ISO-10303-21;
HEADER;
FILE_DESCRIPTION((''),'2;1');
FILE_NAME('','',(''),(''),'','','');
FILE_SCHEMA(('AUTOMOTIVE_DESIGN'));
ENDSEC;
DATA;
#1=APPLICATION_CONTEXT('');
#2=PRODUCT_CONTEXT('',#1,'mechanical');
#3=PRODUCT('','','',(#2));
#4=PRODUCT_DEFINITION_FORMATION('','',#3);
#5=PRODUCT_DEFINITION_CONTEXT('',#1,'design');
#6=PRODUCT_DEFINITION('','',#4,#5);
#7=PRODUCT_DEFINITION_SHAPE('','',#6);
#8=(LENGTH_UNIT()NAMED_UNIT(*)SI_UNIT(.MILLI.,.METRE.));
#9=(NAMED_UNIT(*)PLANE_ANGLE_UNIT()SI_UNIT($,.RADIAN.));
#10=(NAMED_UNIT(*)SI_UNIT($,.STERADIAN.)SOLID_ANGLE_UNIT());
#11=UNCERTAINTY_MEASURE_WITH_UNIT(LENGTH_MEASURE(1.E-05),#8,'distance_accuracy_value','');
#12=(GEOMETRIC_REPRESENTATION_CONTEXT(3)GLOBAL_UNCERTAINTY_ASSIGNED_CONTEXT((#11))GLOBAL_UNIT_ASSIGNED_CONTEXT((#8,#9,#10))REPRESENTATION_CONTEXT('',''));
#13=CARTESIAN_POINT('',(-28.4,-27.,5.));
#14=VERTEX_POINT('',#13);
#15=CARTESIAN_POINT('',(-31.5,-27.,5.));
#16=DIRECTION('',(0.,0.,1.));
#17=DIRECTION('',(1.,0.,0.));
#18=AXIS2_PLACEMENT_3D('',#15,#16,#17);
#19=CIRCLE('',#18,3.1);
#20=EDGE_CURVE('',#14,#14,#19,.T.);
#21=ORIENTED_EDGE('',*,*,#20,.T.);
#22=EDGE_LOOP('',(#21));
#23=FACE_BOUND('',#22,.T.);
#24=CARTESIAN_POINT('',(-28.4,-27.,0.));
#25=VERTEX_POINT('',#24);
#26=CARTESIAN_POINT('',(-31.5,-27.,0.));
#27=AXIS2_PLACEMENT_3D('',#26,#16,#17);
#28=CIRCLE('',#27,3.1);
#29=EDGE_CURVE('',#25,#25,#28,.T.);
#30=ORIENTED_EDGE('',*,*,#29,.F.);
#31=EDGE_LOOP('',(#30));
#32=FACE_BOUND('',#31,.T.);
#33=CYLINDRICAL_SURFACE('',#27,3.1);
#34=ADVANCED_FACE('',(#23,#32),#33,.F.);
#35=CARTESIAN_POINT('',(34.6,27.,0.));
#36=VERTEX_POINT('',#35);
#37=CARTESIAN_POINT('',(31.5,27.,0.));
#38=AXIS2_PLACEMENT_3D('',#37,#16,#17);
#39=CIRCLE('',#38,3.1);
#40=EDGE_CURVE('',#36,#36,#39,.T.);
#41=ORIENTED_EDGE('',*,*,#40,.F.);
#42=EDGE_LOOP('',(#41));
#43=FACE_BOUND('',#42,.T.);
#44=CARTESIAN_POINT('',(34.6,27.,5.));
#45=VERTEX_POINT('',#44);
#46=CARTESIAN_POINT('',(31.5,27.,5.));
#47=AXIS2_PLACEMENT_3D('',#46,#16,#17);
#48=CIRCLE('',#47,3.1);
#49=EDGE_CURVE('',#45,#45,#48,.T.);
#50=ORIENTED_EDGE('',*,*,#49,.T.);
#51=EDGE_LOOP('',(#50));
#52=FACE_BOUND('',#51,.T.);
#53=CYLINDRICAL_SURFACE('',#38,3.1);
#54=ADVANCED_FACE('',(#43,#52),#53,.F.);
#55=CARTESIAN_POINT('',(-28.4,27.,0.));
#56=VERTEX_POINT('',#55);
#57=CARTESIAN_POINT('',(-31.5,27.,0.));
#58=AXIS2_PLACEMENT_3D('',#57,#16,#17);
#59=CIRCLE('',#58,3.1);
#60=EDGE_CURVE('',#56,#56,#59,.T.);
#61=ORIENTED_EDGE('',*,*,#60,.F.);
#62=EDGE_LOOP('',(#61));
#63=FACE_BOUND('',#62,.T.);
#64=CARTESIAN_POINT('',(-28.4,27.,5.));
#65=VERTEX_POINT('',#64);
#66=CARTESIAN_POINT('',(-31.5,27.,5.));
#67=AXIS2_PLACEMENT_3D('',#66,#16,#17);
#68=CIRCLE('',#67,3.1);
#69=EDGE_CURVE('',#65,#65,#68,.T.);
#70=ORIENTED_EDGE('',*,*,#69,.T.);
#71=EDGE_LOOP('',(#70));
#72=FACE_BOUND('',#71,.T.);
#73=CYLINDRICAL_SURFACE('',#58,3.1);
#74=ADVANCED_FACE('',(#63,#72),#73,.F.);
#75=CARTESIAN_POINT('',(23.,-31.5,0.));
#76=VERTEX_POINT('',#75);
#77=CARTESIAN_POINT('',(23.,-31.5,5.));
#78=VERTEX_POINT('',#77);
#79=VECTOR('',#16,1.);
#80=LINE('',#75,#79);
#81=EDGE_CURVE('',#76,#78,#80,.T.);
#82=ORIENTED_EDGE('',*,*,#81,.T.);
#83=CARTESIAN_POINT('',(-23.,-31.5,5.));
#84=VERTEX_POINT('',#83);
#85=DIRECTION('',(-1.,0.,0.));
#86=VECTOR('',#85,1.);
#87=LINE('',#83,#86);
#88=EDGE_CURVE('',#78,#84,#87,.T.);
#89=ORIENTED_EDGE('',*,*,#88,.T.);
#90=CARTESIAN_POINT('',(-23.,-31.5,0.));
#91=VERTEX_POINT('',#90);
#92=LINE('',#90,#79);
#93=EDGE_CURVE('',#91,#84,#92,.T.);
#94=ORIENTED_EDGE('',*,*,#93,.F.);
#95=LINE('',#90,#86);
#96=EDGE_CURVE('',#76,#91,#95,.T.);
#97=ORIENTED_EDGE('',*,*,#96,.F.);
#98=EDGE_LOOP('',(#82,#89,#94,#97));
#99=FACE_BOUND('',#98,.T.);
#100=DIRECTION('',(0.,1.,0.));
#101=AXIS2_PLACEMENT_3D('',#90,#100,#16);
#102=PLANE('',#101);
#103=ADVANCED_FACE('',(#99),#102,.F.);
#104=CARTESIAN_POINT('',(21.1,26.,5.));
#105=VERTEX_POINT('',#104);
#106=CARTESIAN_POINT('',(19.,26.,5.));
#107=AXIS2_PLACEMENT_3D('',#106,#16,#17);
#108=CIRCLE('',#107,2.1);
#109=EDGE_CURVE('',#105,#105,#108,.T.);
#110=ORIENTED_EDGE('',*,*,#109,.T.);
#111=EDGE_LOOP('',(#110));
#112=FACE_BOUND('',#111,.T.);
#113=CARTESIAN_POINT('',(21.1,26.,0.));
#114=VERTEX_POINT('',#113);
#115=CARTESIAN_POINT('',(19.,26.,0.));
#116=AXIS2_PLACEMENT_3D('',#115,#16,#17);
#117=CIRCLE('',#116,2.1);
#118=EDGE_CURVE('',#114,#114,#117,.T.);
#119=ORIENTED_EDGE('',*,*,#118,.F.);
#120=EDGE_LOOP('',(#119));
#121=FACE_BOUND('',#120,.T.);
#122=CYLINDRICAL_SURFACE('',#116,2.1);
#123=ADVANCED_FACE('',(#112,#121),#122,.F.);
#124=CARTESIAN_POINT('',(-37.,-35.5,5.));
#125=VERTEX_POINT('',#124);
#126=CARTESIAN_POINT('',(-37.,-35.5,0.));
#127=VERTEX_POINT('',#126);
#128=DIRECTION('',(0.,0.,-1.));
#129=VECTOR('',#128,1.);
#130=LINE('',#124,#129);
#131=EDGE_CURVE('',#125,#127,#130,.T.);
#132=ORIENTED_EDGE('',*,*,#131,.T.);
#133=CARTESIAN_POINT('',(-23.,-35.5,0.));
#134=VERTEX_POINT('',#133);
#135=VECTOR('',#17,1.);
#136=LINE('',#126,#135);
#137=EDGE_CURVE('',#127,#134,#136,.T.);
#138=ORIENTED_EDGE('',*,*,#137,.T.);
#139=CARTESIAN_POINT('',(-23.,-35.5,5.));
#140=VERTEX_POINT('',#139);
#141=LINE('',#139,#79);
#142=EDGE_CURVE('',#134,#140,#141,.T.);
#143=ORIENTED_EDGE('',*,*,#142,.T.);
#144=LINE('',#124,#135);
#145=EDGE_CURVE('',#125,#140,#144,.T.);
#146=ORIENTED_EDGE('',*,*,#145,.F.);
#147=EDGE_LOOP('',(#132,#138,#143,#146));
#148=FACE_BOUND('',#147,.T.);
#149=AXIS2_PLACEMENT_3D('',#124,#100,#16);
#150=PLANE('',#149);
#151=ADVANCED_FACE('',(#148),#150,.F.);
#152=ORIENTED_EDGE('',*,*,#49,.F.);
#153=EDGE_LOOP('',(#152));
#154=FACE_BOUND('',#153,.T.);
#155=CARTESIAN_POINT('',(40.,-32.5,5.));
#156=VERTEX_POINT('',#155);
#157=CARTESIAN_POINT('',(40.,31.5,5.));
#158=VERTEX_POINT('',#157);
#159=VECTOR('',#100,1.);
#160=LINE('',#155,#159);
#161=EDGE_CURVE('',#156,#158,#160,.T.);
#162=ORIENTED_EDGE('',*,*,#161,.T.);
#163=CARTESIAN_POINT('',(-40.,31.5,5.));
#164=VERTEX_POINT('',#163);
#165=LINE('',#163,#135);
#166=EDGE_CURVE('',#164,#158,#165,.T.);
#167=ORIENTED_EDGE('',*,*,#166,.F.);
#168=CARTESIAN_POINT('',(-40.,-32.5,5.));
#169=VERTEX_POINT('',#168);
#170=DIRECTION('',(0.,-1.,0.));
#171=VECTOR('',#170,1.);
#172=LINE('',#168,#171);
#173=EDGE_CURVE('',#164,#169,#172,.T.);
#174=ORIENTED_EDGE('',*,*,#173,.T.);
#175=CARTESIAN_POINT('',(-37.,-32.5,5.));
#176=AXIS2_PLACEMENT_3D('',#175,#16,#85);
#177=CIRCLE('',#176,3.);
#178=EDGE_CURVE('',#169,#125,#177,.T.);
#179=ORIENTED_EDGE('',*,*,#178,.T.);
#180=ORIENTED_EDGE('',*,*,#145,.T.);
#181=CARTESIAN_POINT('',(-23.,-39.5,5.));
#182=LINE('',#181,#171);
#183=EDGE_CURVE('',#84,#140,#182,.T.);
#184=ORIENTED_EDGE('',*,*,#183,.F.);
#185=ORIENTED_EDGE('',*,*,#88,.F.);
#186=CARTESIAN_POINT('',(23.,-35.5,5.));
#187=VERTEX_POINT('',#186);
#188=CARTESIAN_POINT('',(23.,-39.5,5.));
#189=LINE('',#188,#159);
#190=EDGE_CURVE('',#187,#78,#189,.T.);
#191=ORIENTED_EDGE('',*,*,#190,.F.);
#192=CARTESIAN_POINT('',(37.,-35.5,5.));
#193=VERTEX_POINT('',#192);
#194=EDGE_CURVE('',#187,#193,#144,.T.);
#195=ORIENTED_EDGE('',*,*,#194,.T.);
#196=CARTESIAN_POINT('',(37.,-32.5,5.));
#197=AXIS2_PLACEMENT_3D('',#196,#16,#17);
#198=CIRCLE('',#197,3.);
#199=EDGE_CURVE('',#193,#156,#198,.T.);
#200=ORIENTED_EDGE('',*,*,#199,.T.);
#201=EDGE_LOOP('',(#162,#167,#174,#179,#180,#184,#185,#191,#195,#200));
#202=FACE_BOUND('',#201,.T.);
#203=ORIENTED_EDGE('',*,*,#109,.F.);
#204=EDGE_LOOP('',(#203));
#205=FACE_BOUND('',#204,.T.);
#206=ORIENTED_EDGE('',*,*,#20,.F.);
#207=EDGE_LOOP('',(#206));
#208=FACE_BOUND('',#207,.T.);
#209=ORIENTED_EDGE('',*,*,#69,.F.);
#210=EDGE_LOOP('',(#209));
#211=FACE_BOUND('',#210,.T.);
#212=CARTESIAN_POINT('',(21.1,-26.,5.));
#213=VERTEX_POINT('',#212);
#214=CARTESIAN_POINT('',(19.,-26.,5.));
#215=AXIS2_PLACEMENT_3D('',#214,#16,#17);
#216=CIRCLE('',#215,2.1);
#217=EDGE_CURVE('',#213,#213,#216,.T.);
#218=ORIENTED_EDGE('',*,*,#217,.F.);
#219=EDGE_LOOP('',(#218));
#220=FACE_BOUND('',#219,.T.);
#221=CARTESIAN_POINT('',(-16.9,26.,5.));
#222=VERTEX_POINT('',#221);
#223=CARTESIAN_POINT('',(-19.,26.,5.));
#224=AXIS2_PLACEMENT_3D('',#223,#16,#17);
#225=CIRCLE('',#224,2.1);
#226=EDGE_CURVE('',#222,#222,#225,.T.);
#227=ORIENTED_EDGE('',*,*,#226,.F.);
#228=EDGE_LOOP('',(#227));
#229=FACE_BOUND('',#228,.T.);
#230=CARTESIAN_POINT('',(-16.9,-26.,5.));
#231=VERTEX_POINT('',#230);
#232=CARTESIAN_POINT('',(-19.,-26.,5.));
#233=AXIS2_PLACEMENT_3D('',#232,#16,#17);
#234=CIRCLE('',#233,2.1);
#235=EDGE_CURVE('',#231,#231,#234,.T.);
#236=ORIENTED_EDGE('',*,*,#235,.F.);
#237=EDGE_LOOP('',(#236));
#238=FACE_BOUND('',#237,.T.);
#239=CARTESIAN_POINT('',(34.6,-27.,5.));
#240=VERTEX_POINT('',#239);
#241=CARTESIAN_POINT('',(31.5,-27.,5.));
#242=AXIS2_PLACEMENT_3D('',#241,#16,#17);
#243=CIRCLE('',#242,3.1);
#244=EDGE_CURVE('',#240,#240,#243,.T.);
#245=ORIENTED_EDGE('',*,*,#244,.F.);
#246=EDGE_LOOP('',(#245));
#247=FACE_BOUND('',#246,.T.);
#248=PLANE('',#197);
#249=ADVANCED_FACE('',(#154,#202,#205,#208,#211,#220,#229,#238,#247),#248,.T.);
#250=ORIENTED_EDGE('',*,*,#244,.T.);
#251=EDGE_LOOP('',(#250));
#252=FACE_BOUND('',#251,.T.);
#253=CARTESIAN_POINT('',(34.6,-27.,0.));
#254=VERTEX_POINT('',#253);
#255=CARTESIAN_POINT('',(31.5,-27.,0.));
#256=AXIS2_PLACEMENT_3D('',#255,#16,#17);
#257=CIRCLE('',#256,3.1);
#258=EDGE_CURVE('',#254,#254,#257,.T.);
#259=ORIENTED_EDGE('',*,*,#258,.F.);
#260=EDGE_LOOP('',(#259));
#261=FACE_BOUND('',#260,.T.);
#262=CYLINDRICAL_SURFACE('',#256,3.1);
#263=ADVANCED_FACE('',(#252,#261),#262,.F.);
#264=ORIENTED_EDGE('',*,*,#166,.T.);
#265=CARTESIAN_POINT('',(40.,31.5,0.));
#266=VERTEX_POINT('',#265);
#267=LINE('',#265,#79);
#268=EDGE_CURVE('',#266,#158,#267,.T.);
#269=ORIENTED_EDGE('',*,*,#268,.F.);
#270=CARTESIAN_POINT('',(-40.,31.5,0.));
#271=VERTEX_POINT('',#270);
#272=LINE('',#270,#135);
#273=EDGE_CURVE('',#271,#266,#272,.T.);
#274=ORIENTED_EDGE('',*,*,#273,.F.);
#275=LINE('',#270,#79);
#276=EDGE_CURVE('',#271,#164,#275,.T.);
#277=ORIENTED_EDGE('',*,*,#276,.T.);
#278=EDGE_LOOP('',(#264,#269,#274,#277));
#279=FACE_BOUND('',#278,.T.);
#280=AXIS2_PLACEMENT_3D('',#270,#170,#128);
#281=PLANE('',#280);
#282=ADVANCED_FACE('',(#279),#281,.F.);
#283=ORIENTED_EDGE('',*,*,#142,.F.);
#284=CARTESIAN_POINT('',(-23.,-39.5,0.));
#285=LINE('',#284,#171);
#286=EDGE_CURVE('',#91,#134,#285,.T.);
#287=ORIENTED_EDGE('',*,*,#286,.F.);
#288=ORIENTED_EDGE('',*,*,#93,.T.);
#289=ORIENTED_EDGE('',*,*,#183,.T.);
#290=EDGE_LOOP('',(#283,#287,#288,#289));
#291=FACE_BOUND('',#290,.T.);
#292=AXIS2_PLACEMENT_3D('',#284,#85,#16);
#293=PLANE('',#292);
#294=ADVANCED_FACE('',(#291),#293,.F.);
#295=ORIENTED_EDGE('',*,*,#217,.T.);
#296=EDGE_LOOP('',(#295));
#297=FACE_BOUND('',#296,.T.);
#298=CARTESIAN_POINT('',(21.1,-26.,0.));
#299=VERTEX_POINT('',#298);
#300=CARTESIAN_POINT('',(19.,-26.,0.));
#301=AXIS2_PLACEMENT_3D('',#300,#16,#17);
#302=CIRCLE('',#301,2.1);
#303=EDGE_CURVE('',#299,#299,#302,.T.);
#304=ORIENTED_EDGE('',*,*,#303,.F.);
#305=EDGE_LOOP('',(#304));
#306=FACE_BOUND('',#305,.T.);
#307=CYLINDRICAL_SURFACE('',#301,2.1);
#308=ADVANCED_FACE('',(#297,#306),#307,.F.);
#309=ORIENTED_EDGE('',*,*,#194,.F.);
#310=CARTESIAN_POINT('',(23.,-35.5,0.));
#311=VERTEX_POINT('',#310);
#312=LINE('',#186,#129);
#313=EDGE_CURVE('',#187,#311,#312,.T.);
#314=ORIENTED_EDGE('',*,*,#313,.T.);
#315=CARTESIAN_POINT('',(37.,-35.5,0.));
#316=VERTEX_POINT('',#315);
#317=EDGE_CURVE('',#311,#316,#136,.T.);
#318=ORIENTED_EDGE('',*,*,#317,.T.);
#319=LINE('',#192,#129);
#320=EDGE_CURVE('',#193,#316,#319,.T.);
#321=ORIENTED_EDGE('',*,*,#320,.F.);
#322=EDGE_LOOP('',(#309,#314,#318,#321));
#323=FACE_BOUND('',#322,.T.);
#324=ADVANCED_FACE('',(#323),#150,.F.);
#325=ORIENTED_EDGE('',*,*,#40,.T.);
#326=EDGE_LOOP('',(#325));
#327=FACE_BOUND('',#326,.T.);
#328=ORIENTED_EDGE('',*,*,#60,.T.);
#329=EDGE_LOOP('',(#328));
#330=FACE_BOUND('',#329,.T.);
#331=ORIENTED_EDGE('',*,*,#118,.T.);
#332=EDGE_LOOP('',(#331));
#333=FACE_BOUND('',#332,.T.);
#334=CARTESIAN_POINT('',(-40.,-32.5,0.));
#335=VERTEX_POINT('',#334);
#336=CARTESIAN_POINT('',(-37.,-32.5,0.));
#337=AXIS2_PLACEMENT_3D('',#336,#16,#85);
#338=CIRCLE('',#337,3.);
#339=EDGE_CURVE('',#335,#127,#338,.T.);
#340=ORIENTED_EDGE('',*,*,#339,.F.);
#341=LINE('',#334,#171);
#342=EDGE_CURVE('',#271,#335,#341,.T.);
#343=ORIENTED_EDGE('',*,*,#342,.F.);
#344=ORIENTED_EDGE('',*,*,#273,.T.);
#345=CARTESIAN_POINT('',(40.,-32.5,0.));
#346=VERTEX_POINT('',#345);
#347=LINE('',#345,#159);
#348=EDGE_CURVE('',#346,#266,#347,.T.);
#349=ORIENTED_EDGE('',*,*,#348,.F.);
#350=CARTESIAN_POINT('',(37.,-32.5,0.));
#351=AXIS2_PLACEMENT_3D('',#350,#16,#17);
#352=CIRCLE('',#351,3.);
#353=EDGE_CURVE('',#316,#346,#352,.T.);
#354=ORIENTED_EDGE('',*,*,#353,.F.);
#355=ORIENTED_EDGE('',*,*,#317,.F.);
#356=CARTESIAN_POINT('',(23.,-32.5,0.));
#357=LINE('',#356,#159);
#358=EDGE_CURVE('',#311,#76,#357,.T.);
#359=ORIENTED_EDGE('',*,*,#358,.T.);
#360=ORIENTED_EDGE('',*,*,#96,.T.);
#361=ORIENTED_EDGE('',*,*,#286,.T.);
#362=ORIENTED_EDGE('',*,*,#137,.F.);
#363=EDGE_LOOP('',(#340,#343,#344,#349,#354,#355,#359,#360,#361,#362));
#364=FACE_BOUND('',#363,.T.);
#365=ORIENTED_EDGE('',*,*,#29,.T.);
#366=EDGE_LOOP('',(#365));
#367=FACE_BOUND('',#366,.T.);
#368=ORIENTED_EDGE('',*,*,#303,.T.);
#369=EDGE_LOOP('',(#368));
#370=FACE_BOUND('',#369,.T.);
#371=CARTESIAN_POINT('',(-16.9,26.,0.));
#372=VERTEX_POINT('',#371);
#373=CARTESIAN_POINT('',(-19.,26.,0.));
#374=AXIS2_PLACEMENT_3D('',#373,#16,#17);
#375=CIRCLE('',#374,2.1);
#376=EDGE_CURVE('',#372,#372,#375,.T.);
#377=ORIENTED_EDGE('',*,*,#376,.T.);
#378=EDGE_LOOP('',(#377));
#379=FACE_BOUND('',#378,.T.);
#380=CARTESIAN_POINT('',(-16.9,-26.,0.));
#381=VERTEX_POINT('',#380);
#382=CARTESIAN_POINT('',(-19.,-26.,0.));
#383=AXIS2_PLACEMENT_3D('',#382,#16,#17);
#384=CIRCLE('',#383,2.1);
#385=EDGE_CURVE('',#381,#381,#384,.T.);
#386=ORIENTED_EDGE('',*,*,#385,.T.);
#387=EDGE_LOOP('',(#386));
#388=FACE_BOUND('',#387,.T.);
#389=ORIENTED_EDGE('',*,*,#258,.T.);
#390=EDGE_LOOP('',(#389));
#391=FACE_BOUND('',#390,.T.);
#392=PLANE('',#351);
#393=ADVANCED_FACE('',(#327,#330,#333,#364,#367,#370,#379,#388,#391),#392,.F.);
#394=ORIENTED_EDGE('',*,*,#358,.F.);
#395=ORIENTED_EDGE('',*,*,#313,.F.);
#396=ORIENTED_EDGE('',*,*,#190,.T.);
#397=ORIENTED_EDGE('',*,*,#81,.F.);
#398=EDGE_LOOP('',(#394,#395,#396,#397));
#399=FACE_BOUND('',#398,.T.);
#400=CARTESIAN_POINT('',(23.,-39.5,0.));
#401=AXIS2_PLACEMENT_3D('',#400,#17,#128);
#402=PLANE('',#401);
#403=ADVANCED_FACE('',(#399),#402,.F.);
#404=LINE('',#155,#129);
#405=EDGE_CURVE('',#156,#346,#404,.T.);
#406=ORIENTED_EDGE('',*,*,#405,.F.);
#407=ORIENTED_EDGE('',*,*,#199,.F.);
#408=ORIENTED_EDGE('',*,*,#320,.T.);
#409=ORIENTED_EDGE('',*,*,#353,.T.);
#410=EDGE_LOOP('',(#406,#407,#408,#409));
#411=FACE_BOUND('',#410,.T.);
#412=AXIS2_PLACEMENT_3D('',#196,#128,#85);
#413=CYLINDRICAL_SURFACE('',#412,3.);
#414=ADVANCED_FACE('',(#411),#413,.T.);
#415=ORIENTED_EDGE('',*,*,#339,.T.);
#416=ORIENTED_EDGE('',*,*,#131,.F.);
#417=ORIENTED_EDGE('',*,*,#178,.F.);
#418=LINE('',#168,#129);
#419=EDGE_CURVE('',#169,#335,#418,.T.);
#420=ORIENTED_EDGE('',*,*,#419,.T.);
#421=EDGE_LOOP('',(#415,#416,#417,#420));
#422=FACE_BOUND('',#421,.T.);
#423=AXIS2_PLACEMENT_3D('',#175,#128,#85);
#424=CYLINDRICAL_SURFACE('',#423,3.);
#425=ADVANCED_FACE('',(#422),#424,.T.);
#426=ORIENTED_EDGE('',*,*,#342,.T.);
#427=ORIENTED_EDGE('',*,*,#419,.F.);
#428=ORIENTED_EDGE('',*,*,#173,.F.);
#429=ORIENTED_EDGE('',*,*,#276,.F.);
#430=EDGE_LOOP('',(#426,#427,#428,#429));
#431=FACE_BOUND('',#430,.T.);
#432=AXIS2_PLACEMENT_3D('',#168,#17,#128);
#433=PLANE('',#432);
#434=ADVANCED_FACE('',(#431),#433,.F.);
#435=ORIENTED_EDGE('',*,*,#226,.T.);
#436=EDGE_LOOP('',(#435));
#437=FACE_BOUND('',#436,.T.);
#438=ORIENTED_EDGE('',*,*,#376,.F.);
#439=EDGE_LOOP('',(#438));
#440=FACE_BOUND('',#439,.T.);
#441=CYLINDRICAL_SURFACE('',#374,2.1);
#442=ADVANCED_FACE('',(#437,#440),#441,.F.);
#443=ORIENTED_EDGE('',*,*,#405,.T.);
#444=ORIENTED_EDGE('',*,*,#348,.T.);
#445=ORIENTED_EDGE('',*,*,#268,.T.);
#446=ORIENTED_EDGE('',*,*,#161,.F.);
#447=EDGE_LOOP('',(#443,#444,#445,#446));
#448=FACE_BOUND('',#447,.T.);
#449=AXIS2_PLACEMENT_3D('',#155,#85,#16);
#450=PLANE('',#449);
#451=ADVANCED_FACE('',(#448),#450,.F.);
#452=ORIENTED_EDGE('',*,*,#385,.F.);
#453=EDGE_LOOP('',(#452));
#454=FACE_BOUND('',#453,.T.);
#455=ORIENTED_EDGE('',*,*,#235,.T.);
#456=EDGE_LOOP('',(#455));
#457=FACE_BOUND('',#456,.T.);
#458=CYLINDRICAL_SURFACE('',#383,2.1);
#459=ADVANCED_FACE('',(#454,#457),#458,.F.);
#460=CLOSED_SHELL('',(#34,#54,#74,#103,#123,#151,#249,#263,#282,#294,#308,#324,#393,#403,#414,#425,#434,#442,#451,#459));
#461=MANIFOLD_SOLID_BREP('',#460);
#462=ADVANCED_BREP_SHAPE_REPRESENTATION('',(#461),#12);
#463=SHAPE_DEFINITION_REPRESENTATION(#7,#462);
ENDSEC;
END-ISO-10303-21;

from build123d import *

# Parameters (mm, degrees)
EXTRUDE_1_DEPTH     = 5
SKETCH_2_R          = 3.1
CUT_EXTRUDE_1_DEPTH = 5
SKETCH_3_W          = 46
SKETCH_3_H          = 8
SKETCH_3_W_2        = 80
CUT_EXTRUDE_2_DEPTH = 5
SKETCH_4_R          = 2.1
CUT_EXTRUDE_3_DEPTH = 54.714523176


with BuildPart() as part:
    # 草图1 → 凸台-拉伸1 (new body)
    with BuildSketch(Plane.XY):
        with BuildLine():
            Line((-37, -35.5), (37, -35.5))
            ThreePointArc((37, -35.5), (39.121320344, -34.621320344), (40, -32.5))
            Line((40, -32.5), (40, 32.5))
            ThreePointArc((40, 32.5), (39.121320344, 34.621320344), (37, 35.5))
            Line((37, 35.5), (-37, 35.5))
            ThreePointArc((-37, 35.5), (-39.121320344, 34.621320344), (-40, 32.5))
            Line((-40, 32.5), (-40, -32.5))
            ThreePointArc((-40, -32.5), (-39.121320344, -34.621320344), (-37, -35.5))
        make_face()
    extrude(amount=EXTRUDE_1_DEPTH)

    # 草图2 → 切除-拉伸1 (cut)
    with BuildSketch(Plane.XY.offset(5)):
        with Locations((-31.5, 27)):
            Circle(SKETCH_2_R)
        with Locations((31.5, 27)):
            Circle(SKETCH_2_R)
        with Locations((31.5, -27)):
            Circle(SKETCH_2_R)
        with Locations((-31.5, -27)):
            Circle(SKETCH_2_R)
    extrude(amount=-CUT_EXTRUDE_1_DEPTH, mode=Mode.SUBTRACT)

    # 草图3 → 切除-拉伸2 (cut)
    with BuildSketch(Plane.XY.offset(5)):
        with Locations((0, -35.5)):
            Rectangle(SKETCH_3_W, SKETCH_3_H)
        with Locations((0, 35.5)):
            Rectangle(SKETCH_3_W_2, SKETCH_3_H)
    extrude(amount=-CUT_EXTRUDE_2_DEPTH, mode=Mode.SUBTRACT)

    # 草图4 → 切除-拉伸3 (cut, through all)
    with BuildSketch(Plane.XY.offset(5)):
        with Locations((19, -26)):
            Circle(SKETCH_4_R)
        with Locations((-19, -26)):
            Circle(SKETCH_4_R)
        with Locations((-19, 26)):
            Circle(SKETCH_4_R)
        with Locations((19, 26)):
            Circle(SKETCH_4_R)
    extrude(amount=-CUT_EXTRUDE_3_DEPTH, mode=Mode.SUBTRACT)


solid = part.part
